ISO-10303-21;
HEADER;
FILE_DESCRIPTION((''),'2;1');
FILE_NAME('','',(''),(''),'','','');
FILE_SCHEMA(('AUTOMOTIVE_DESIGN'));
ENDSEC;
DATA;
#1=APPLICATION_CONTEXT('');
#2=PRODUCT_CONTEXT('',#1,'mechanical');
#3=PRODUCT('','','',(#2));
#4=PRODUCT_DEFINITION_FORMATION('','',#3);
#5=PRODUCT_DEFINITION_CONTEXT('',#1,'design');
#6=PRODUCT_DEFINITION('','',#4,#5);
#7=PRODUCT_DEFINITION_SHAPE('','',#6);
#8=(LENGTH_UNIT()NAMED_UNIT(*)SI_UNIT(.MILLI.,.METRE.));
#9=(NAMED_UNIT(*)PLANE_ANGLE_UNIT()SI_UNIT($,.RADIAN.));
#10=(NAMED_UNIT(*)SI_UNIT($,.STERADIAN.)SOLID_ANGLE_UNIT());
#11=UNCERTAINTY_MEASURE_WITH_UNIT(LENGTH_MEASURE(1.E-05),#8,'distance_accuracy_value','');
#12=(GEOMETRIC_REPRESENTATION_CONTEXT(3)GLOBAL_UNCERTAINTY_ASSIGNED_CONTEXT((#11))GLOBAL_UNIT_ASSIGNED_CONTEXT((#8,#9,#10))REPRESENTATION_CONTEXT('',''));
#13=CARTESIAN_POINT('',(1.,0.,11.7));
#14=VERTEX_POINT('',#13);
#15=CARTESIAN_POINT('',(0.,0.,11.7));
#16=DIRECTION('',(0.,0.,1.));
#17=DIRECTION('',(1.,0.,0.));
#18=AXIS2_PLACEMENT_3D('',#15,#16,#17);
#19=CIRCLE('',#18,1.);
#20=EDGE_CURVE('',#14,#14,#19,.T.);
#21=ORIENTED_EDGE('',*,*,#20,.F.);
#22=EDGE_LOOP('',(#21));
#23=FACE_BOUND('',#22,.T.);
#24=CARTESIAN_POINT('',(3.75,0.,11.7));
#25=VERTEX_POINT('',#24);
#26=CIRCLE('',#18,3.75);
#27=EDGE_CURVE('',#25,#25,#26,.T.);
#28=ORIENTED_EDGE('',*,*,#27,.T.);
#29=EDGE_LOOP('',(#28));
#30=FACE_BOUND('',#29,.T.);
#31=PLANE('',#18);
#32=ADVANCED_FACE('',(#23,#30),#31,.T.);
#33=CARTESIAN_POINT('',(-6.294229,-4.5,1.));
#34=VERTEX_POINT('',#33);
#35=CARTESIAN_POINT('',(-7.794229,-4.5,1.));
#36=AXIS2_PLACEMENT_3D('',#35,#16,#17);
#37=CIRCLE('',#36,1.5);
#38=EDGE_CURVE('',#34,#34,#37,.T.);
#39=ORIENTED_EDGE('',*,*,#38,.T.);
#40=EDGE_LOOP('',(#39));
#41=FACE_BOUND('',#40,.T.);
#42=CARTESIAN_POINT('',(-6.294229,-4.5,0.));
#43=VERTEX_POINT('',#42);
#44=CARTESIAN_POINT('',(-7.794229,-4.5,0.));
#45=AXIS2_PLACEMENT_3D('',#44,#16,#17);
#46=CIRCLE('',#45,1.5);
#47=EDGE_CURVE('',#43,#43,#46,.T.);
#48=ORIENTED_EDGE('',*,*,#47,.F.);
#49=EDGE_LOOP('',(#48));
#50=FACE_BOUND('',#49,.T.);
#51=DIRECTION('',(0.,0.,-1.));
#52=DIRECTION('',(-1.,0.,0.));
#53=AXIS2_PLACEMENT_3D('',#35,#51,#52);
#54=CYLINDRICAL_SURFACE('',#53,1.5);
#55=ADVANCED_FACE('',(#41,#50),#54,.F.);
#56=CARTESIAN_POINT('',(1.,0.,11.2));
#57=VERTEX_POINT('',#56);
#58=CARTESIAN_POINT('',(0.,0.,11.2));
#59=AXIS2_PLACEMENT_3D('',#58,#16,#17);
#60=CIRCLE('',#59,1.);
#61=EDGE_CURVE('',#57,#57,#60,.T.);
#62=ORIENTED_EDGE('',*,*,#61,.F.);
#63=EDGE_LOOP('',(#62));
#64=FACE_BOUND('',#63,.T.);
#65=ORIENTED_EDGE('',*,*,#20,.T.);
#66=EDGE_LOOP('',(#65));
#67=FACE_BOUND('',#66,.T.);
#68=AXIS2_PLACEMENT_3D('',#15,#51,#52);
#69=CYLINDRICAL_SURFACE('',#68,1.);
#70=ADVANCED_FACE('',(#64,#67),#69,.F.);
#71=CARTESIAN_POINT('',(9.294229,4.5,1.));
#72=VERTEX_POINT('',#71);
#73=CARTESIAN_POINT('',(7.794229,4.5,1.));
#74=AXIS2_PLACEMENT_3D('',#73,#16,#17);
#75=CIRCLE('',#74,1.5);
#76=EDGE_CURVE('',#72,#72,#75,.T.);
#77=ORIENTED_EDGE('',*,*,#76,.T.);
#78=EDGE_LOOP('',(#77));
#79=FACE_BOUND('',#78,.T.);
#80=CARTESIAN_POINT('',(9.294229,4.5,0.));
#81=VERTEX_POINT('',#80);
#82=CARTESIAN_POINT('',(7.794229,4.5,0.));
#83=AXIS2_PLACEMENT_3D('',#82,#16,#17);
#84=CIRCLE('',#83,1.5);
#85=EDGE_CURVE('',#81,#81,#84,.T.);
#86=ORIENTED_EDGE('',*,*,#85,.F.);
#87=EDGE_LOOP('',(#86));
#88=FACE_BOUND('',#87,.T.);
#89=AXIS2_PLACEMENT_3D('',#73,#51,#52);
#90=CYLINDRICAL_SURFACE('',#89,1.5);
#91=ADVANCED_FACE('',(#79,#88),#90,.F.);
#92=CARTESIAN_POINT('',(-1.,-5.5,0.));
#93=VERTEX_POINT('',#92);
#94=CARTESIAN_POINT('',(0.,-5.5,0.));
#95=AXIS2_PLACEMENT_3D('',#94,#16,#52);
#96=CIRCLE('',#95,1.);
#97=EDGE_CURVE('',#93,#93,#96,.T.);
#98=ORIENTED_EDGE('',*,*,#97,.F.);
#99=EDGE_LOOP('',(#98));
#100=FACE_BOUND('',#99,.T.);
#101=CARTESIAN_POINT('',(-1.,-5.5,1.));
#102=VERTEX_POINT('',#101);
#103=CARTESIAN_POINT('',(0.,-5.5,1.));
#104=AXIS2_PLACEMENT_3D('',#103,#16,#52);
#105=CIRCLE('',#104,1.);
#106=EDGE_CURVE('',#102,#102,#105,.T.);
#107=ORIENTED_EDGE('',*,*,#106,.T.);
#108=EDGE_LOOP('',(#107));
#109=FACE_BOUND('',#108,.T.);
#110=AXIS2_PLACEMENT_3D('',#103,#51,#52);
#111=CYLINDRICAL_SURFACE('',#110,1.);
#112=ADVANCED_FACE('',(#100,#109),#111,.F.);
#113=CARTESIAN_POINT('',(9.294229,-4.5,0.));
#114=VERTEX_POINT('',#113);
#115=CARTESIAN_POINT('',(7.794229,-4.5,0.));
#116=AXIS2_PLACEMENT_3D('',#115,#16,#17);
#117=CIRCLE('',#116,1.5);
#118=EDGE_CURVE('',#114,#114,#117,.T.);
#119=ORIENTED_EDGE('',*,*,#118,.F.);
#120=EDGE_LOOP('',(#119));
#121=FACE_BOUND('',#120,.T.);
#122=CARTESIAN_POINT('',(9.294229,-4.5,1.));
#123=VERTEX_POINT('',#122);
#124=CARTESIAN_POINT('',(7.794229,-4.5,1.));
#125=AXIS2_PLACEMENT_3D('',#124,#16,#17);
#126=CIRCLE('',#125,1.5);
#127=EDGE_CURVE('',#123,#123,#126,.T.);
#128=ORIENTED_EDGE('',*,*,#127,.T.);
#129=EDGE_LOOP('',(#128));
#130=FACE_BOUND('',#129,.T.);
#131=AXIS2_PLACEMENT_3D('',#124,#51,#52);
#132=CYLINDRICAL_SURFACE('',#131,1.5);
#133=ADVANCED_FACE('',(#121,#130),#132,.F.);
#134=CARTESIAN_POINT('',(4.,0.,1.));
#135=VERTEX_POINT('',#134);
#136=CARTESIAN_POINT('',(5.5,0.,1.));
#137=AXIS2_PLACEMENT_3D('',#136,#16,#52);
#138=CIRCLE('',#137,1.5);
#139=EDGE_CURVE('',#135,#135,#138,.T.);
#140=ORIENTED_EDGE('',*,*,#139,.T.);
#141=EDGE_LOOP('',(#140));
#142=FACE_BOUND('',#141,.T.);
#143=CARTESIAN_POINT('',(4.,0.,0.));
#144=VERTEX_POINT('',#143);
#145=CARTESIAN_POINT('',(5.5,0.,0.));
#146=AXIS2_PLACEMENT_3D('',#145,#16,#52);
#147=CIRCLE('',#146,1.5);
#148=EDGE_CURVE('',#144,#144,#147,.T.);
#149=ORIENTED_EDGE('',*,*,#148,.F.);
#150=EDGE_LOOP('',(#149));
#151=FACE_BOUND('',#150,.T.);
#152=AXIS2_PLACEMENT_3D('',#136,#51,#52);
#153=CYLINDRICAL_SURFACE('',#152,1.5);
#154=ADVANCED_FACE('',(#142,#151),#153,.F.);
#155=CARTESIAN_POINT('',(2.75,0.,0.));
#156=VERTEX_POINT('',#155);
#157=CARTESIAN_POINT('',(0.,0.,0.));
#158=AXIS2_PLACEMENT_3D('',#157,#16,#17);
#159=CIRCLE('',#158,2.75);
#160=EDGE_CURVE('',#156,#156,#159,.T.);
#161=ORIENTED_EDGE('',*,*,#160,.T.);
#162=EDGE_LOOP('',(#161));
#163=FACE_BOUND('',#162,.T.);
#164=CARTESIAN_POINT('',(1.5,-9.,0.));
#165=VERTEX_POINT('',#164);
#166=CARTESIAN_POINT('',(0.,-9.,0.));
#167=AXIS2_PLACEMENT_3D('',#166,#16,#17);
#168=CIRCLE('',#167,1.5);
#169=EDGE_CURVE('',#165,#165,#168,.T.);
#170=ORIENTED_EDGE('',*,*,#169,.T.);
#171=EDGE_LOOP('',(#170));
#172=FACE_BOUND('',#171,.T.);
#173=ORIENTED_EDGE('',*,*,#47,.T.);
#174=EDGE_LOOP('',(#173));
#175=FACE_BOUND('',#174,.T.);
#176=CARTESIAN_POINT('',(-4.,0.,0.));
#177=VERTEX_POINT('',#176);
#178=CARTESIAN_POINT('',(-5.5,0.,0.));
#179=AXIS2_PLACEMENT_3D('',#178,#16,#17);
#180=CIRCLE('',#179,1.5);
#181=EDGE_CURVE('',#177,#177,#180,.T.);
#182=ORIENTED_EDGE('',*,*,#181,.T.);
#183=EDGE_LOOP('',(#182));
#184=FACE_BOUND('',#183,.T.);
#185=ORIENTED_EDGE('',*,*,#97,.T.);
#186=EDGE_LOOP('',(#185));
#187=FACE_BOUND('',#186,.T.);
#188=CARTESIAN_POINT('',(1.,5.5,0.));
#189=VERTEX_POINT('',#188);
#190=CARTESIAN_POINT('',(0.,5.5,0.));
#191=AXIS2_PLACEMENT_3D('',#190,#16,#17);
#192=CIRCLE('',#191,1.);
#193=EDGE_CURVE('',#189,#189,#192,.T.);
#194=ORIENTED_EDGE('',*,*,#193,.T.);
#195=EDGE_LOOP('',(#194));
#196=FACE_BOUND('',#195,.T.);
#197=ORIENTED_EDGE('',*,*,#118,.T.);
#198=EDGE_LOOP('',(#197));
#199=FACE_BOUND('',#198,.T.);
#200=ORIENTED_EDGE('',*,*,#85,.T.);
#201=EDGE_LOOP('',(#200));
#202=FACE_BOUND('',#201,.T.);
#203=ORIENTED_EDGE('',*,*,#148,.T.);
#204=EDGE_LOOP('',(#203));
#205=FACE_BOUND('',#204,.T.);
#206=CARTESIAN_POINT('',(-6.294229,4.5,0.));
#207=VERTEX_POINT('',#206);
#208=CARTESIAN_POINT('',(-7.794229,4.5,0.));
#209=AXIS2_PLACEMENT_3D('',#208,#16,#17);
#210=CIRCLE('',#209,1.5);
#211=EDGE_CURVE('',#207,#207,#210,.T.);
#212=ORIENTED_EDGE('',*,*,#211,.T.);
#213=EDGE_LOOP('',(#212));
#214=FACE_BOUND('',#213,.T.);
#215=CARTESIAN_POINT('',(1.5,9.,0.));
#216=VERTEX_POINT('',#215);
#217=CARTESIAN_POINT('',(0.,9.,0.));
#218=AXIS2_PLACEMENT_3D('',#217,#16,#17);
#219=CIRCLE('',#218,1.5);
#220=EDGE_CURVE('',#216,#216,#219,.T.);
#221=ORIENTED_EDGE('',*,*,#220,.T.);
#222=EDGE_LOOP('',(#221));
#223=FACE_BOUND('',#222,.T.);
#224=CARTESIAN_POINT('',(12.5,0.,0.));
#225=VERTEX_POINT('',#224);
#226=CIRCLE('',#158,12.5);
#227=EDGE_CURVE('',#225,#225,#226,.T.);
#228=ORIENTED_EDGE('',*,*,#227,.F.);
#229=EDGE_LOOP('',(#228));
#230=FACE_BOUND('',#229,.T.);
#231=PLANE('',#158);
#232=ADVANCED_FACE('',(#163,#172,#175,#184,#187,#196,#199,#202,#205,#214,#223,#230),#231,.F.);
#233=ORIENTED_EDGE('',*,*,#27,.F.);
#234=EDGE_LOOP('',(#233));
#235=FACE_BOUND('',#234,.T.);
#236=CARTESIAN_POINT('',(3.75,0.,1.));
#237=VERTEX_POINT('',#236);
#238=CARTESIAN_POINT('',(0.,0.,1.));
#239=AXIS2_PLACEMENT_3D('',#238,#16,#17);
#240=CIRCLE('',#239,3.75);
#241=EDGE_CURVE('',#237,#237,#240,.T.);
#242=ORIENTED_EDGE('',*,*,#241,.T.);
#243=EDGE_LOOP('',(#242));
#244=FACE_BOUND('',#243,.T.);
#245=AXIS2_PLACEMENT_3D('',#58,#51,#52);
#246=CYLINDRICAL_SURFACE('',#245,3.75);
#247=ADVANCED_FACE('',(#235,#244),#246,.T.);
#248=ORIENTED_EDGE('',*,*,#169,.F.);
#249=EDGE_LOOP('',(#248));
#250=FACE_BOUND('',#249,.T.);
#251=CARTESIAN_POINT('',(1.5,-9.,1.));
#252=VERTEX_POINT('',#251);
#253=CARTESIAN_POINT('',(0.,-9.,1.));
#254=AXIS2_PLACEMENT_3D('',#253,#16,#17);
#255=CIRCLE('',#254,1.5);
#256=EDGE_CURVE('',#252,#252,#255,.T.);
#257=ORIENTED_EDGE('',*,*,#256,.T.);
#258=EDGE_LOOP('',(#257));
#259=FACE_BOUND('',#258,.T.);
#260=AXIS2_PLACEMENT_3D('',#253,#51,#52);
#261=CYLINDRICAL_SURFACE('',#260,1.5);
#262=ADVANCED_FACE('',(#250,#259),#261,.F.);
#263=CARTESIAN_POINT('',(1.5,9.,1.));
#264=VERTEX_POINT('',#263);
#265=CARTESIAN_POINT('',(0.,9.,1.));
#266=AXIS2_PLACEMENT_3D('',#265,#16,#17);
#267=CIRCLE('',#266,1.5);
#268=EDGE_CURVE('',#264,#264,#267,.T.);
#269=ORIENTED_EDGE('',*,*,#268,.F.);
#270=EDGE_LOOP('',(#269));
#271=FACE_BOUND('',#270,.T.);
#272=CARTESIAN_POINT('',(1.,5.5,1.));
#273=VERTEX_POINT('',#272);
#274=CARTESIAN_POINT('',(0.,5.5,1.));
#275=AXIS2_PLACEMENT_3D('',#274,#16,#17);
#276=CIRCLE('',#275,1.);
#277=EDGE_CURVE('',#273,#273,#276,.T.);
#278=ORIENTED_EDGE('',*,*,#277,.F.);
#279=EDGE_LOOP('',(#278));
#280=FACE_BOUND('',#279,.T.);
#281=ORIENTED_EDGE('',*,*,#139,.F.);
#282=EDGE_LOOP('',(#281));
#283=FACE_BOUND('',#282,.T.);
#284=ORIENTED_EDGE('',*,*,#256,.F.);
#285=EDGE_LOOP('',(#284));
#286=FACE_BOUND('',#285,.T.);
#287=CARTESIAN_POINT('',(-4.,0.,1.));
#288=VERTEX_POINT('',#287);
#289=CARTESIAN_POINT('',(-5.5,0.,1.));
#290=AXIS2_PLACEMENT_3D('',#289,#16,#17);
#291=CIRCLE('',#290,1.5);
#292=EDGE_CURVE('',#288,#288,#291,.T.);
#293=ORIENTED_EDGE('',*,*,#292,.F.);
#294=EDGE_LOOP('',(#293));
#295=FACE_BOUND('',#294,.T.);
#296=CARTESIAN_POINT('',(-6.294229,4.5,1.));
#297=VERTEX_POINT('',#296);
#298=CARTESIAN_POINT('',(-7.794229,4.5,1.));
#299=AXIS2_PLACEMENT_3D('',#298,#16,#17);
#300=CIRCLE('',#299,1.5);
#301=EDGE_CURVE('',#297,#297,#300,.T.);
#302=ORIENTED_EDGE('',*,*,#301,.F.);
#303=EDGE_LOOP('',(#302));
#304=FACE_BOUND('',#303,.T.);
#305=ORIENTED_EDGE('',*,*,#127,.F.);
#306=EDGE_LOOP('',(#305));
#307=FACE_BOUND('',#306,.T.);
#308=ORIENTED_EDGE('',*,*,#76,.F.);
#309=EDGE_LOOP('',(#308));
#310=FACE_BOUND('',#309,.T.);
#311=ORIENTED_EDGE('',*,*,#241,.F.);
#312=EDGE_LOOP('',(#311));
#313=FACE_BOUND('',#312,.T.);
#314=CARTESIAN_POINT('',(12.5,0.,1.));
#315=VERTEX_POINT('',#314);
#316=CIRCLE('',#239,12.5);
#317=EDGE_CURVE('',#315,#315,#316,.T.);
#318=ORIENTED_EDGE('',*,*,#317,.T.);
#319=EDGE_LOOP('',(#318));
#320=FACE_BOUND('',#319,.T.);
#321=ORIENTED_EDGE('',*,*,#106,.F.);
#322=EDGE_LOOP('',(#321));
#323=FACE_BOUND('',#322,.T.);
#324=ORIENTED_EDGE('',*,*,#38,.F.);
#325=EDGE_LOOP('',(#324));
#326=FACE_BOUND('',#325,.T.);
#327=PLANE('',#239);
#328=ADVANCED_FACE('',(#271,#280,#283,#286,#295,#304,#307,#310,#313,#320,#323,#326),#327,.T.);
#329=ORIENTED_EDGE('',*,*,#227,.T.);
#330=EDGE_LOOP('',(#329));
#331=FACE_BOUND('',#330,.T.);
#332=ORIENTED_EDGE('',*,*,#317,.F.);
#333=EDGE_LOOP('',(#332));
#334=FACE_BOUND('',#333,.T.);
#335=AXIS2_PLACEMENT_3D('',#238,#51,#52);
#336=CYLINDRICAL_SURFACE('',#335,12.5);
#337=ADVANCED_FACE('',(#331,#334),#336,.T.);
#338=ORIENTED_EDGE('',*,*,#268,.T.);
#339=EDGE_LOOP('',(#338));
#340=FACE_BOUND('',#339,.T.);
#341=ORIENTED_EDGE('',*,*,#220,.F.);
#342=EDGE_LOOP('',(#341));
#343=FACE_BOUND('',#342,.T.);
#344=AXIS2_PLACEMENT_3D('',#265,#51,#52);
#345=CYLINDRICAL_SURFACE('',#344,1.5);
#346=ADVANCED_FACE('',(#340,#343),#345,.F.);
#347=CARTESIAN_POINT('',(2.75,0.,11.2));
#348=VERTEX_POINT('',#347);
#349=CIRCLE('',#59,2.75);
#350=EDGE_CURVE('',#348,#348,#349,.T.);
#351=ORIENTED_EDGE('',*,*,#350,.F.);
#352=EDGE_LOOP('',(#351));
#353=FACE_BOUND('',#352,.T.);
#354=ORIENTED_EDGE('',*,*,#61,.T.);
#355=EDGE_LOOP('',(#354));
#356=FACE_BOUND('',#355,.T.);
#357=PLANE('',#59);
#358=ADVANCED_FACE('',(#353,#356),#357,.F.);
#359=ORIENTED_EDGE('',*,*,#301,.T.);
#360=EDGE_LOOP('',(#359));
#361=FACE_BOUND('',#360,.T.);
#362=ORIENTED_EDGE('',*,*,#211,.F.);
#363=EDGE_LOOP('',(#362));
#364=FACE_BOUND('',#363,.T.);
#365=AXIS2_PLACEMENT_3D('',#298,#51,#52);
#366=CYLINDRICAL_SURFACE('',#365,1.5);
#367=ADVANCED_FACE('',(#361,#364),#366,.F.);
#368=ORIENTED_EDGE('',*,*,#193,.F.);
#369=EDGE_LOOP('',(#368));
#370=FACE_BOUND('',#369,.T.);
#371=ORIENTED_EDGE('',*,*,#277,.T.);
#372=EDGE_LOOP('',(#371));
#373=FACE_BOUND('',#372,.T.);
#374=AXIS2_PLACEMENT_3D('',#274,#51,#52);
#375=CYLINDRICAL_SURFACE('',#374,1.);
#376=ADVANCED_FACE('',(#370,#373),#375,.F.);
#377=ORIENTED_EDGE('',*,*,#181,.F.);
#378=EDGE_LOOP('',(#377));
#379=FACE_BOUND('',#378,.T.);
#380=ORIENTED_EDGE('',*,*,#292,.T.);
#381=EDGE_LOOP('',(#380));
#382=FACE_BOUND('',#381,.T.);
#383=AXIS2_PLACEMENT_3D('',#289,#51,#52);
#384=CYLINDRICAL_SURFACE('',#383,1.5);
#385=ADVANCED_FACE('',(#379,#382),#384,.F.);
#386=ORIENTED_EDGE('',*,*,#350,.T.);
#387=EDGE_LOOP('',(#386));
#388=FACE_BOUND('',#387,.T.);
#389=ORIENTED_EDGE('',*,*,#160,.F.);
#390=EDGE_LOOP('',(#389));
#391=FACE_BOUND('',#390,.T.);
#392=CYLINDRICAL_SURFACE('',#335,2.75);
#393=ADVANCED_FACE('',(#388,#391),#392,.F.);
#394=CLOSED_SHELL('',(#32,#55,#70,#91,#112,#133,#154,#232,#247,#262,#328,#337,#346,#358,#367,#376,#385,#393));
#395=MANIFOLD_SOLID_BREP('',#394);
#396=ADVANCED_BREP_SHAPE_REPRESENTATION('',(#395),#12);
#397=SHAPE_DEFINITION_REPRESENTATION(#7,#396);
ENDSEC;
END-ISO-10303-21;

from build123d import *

# Parameters (mm, degrees)
SKETCH_1_R      = 12.5
SKETCH_1_R_2    = 2.75
SKETCH_1_R_3    = 1.5
SKETCH_1_R_4    = 1
EXTRUDE_1_DEPTH = 1
SKETCH_2_R      = 3.75
SKETCH_2_R_2    = 2.75
EXTRUDE_2_DEPTH = 10.2
SKETCH_3_R      = 3.75
SKETCH_3_R_2    = 1
EXTRUDE_3_DEPTH = 0.5


with BuildPart() as part:
    # Эскиз1 → Бобышка-Вытянуть1 (new body)
    with BuildSketch(Plane.XY):
        Circle(SKETCH_1_R)
        Circle(SKETCH_1_R_2, mode=Mode.SUBTRACT)
        with Locations((0, 9)):
            Circle(SKETCH_1_R_3, mode=Mode.SUBTRACT)
        with Locations((7.794228634, 4.5)):
            Circle(SKETCH_1_R_3, mode=Mode.SUBTRACT)
        with Locations((7.794228634, -4.5)):
            Circle(SKETCH_1_R_3, mode=Mode.SUBTRACT)
        with Locations((0, -9)):
            Circle(SKETCH_1_R_3, mode=Mode.SUBTRACT)
        with Locations((-7.794228634, -4.5)):
            Circle(SKETCH_1_R_3, mode=Mode.SUBTRACT)
        with Locations((-7.794228634, 4.5)):
            Circle(SKETCH_1_R_3, mode=Mode.SUBTRACT)
        with Locations((-5.5, 0)):
            Circle(SKETCH_1_R_3, mode=Mode.SUBTRACT)
        with Locations(Location((5.5, 0, 0), (0, 0, 180))):
            Circle(SKETCH_1_R_3, mode=Mode.SUBTRACT)
        with Locations((0, 5.5)):
            Circle(SKETCH_1_R_4, mode=Mode.SUBTRACT)
        with Locations(Location((0, -5.5, 0), (0, 0, 180))):
            Circle(SKETCH_1_R_4, mode=Mode.SUBTRACT)
    extrude(amount=EXTRUDE_1_DEPTH)

    # Эскиз2 → Бобышка-Вытянуть2 (add)
    with BuildSketch(Plane.XY.offset(1)):
        Circle(SKETCH_2_R)
        Circle(SKETCH_2_R_2, mode=Mode.SUBTRACT)
    extrude(amount=EXTRUDE_2_DEPTH)

    # Эскиз3 → Бобышка-Вытянуть3 (add)
    with BuildSketch(Plane.XY.offset(11.2)):
        Circle(SKETCH_3_R)
        Circle(SKETCH_3_R_2, mode=Mode.SUBTRACT)
    extrude(amount=EXTRUDE_3_DEPTH)


solid = part.part
